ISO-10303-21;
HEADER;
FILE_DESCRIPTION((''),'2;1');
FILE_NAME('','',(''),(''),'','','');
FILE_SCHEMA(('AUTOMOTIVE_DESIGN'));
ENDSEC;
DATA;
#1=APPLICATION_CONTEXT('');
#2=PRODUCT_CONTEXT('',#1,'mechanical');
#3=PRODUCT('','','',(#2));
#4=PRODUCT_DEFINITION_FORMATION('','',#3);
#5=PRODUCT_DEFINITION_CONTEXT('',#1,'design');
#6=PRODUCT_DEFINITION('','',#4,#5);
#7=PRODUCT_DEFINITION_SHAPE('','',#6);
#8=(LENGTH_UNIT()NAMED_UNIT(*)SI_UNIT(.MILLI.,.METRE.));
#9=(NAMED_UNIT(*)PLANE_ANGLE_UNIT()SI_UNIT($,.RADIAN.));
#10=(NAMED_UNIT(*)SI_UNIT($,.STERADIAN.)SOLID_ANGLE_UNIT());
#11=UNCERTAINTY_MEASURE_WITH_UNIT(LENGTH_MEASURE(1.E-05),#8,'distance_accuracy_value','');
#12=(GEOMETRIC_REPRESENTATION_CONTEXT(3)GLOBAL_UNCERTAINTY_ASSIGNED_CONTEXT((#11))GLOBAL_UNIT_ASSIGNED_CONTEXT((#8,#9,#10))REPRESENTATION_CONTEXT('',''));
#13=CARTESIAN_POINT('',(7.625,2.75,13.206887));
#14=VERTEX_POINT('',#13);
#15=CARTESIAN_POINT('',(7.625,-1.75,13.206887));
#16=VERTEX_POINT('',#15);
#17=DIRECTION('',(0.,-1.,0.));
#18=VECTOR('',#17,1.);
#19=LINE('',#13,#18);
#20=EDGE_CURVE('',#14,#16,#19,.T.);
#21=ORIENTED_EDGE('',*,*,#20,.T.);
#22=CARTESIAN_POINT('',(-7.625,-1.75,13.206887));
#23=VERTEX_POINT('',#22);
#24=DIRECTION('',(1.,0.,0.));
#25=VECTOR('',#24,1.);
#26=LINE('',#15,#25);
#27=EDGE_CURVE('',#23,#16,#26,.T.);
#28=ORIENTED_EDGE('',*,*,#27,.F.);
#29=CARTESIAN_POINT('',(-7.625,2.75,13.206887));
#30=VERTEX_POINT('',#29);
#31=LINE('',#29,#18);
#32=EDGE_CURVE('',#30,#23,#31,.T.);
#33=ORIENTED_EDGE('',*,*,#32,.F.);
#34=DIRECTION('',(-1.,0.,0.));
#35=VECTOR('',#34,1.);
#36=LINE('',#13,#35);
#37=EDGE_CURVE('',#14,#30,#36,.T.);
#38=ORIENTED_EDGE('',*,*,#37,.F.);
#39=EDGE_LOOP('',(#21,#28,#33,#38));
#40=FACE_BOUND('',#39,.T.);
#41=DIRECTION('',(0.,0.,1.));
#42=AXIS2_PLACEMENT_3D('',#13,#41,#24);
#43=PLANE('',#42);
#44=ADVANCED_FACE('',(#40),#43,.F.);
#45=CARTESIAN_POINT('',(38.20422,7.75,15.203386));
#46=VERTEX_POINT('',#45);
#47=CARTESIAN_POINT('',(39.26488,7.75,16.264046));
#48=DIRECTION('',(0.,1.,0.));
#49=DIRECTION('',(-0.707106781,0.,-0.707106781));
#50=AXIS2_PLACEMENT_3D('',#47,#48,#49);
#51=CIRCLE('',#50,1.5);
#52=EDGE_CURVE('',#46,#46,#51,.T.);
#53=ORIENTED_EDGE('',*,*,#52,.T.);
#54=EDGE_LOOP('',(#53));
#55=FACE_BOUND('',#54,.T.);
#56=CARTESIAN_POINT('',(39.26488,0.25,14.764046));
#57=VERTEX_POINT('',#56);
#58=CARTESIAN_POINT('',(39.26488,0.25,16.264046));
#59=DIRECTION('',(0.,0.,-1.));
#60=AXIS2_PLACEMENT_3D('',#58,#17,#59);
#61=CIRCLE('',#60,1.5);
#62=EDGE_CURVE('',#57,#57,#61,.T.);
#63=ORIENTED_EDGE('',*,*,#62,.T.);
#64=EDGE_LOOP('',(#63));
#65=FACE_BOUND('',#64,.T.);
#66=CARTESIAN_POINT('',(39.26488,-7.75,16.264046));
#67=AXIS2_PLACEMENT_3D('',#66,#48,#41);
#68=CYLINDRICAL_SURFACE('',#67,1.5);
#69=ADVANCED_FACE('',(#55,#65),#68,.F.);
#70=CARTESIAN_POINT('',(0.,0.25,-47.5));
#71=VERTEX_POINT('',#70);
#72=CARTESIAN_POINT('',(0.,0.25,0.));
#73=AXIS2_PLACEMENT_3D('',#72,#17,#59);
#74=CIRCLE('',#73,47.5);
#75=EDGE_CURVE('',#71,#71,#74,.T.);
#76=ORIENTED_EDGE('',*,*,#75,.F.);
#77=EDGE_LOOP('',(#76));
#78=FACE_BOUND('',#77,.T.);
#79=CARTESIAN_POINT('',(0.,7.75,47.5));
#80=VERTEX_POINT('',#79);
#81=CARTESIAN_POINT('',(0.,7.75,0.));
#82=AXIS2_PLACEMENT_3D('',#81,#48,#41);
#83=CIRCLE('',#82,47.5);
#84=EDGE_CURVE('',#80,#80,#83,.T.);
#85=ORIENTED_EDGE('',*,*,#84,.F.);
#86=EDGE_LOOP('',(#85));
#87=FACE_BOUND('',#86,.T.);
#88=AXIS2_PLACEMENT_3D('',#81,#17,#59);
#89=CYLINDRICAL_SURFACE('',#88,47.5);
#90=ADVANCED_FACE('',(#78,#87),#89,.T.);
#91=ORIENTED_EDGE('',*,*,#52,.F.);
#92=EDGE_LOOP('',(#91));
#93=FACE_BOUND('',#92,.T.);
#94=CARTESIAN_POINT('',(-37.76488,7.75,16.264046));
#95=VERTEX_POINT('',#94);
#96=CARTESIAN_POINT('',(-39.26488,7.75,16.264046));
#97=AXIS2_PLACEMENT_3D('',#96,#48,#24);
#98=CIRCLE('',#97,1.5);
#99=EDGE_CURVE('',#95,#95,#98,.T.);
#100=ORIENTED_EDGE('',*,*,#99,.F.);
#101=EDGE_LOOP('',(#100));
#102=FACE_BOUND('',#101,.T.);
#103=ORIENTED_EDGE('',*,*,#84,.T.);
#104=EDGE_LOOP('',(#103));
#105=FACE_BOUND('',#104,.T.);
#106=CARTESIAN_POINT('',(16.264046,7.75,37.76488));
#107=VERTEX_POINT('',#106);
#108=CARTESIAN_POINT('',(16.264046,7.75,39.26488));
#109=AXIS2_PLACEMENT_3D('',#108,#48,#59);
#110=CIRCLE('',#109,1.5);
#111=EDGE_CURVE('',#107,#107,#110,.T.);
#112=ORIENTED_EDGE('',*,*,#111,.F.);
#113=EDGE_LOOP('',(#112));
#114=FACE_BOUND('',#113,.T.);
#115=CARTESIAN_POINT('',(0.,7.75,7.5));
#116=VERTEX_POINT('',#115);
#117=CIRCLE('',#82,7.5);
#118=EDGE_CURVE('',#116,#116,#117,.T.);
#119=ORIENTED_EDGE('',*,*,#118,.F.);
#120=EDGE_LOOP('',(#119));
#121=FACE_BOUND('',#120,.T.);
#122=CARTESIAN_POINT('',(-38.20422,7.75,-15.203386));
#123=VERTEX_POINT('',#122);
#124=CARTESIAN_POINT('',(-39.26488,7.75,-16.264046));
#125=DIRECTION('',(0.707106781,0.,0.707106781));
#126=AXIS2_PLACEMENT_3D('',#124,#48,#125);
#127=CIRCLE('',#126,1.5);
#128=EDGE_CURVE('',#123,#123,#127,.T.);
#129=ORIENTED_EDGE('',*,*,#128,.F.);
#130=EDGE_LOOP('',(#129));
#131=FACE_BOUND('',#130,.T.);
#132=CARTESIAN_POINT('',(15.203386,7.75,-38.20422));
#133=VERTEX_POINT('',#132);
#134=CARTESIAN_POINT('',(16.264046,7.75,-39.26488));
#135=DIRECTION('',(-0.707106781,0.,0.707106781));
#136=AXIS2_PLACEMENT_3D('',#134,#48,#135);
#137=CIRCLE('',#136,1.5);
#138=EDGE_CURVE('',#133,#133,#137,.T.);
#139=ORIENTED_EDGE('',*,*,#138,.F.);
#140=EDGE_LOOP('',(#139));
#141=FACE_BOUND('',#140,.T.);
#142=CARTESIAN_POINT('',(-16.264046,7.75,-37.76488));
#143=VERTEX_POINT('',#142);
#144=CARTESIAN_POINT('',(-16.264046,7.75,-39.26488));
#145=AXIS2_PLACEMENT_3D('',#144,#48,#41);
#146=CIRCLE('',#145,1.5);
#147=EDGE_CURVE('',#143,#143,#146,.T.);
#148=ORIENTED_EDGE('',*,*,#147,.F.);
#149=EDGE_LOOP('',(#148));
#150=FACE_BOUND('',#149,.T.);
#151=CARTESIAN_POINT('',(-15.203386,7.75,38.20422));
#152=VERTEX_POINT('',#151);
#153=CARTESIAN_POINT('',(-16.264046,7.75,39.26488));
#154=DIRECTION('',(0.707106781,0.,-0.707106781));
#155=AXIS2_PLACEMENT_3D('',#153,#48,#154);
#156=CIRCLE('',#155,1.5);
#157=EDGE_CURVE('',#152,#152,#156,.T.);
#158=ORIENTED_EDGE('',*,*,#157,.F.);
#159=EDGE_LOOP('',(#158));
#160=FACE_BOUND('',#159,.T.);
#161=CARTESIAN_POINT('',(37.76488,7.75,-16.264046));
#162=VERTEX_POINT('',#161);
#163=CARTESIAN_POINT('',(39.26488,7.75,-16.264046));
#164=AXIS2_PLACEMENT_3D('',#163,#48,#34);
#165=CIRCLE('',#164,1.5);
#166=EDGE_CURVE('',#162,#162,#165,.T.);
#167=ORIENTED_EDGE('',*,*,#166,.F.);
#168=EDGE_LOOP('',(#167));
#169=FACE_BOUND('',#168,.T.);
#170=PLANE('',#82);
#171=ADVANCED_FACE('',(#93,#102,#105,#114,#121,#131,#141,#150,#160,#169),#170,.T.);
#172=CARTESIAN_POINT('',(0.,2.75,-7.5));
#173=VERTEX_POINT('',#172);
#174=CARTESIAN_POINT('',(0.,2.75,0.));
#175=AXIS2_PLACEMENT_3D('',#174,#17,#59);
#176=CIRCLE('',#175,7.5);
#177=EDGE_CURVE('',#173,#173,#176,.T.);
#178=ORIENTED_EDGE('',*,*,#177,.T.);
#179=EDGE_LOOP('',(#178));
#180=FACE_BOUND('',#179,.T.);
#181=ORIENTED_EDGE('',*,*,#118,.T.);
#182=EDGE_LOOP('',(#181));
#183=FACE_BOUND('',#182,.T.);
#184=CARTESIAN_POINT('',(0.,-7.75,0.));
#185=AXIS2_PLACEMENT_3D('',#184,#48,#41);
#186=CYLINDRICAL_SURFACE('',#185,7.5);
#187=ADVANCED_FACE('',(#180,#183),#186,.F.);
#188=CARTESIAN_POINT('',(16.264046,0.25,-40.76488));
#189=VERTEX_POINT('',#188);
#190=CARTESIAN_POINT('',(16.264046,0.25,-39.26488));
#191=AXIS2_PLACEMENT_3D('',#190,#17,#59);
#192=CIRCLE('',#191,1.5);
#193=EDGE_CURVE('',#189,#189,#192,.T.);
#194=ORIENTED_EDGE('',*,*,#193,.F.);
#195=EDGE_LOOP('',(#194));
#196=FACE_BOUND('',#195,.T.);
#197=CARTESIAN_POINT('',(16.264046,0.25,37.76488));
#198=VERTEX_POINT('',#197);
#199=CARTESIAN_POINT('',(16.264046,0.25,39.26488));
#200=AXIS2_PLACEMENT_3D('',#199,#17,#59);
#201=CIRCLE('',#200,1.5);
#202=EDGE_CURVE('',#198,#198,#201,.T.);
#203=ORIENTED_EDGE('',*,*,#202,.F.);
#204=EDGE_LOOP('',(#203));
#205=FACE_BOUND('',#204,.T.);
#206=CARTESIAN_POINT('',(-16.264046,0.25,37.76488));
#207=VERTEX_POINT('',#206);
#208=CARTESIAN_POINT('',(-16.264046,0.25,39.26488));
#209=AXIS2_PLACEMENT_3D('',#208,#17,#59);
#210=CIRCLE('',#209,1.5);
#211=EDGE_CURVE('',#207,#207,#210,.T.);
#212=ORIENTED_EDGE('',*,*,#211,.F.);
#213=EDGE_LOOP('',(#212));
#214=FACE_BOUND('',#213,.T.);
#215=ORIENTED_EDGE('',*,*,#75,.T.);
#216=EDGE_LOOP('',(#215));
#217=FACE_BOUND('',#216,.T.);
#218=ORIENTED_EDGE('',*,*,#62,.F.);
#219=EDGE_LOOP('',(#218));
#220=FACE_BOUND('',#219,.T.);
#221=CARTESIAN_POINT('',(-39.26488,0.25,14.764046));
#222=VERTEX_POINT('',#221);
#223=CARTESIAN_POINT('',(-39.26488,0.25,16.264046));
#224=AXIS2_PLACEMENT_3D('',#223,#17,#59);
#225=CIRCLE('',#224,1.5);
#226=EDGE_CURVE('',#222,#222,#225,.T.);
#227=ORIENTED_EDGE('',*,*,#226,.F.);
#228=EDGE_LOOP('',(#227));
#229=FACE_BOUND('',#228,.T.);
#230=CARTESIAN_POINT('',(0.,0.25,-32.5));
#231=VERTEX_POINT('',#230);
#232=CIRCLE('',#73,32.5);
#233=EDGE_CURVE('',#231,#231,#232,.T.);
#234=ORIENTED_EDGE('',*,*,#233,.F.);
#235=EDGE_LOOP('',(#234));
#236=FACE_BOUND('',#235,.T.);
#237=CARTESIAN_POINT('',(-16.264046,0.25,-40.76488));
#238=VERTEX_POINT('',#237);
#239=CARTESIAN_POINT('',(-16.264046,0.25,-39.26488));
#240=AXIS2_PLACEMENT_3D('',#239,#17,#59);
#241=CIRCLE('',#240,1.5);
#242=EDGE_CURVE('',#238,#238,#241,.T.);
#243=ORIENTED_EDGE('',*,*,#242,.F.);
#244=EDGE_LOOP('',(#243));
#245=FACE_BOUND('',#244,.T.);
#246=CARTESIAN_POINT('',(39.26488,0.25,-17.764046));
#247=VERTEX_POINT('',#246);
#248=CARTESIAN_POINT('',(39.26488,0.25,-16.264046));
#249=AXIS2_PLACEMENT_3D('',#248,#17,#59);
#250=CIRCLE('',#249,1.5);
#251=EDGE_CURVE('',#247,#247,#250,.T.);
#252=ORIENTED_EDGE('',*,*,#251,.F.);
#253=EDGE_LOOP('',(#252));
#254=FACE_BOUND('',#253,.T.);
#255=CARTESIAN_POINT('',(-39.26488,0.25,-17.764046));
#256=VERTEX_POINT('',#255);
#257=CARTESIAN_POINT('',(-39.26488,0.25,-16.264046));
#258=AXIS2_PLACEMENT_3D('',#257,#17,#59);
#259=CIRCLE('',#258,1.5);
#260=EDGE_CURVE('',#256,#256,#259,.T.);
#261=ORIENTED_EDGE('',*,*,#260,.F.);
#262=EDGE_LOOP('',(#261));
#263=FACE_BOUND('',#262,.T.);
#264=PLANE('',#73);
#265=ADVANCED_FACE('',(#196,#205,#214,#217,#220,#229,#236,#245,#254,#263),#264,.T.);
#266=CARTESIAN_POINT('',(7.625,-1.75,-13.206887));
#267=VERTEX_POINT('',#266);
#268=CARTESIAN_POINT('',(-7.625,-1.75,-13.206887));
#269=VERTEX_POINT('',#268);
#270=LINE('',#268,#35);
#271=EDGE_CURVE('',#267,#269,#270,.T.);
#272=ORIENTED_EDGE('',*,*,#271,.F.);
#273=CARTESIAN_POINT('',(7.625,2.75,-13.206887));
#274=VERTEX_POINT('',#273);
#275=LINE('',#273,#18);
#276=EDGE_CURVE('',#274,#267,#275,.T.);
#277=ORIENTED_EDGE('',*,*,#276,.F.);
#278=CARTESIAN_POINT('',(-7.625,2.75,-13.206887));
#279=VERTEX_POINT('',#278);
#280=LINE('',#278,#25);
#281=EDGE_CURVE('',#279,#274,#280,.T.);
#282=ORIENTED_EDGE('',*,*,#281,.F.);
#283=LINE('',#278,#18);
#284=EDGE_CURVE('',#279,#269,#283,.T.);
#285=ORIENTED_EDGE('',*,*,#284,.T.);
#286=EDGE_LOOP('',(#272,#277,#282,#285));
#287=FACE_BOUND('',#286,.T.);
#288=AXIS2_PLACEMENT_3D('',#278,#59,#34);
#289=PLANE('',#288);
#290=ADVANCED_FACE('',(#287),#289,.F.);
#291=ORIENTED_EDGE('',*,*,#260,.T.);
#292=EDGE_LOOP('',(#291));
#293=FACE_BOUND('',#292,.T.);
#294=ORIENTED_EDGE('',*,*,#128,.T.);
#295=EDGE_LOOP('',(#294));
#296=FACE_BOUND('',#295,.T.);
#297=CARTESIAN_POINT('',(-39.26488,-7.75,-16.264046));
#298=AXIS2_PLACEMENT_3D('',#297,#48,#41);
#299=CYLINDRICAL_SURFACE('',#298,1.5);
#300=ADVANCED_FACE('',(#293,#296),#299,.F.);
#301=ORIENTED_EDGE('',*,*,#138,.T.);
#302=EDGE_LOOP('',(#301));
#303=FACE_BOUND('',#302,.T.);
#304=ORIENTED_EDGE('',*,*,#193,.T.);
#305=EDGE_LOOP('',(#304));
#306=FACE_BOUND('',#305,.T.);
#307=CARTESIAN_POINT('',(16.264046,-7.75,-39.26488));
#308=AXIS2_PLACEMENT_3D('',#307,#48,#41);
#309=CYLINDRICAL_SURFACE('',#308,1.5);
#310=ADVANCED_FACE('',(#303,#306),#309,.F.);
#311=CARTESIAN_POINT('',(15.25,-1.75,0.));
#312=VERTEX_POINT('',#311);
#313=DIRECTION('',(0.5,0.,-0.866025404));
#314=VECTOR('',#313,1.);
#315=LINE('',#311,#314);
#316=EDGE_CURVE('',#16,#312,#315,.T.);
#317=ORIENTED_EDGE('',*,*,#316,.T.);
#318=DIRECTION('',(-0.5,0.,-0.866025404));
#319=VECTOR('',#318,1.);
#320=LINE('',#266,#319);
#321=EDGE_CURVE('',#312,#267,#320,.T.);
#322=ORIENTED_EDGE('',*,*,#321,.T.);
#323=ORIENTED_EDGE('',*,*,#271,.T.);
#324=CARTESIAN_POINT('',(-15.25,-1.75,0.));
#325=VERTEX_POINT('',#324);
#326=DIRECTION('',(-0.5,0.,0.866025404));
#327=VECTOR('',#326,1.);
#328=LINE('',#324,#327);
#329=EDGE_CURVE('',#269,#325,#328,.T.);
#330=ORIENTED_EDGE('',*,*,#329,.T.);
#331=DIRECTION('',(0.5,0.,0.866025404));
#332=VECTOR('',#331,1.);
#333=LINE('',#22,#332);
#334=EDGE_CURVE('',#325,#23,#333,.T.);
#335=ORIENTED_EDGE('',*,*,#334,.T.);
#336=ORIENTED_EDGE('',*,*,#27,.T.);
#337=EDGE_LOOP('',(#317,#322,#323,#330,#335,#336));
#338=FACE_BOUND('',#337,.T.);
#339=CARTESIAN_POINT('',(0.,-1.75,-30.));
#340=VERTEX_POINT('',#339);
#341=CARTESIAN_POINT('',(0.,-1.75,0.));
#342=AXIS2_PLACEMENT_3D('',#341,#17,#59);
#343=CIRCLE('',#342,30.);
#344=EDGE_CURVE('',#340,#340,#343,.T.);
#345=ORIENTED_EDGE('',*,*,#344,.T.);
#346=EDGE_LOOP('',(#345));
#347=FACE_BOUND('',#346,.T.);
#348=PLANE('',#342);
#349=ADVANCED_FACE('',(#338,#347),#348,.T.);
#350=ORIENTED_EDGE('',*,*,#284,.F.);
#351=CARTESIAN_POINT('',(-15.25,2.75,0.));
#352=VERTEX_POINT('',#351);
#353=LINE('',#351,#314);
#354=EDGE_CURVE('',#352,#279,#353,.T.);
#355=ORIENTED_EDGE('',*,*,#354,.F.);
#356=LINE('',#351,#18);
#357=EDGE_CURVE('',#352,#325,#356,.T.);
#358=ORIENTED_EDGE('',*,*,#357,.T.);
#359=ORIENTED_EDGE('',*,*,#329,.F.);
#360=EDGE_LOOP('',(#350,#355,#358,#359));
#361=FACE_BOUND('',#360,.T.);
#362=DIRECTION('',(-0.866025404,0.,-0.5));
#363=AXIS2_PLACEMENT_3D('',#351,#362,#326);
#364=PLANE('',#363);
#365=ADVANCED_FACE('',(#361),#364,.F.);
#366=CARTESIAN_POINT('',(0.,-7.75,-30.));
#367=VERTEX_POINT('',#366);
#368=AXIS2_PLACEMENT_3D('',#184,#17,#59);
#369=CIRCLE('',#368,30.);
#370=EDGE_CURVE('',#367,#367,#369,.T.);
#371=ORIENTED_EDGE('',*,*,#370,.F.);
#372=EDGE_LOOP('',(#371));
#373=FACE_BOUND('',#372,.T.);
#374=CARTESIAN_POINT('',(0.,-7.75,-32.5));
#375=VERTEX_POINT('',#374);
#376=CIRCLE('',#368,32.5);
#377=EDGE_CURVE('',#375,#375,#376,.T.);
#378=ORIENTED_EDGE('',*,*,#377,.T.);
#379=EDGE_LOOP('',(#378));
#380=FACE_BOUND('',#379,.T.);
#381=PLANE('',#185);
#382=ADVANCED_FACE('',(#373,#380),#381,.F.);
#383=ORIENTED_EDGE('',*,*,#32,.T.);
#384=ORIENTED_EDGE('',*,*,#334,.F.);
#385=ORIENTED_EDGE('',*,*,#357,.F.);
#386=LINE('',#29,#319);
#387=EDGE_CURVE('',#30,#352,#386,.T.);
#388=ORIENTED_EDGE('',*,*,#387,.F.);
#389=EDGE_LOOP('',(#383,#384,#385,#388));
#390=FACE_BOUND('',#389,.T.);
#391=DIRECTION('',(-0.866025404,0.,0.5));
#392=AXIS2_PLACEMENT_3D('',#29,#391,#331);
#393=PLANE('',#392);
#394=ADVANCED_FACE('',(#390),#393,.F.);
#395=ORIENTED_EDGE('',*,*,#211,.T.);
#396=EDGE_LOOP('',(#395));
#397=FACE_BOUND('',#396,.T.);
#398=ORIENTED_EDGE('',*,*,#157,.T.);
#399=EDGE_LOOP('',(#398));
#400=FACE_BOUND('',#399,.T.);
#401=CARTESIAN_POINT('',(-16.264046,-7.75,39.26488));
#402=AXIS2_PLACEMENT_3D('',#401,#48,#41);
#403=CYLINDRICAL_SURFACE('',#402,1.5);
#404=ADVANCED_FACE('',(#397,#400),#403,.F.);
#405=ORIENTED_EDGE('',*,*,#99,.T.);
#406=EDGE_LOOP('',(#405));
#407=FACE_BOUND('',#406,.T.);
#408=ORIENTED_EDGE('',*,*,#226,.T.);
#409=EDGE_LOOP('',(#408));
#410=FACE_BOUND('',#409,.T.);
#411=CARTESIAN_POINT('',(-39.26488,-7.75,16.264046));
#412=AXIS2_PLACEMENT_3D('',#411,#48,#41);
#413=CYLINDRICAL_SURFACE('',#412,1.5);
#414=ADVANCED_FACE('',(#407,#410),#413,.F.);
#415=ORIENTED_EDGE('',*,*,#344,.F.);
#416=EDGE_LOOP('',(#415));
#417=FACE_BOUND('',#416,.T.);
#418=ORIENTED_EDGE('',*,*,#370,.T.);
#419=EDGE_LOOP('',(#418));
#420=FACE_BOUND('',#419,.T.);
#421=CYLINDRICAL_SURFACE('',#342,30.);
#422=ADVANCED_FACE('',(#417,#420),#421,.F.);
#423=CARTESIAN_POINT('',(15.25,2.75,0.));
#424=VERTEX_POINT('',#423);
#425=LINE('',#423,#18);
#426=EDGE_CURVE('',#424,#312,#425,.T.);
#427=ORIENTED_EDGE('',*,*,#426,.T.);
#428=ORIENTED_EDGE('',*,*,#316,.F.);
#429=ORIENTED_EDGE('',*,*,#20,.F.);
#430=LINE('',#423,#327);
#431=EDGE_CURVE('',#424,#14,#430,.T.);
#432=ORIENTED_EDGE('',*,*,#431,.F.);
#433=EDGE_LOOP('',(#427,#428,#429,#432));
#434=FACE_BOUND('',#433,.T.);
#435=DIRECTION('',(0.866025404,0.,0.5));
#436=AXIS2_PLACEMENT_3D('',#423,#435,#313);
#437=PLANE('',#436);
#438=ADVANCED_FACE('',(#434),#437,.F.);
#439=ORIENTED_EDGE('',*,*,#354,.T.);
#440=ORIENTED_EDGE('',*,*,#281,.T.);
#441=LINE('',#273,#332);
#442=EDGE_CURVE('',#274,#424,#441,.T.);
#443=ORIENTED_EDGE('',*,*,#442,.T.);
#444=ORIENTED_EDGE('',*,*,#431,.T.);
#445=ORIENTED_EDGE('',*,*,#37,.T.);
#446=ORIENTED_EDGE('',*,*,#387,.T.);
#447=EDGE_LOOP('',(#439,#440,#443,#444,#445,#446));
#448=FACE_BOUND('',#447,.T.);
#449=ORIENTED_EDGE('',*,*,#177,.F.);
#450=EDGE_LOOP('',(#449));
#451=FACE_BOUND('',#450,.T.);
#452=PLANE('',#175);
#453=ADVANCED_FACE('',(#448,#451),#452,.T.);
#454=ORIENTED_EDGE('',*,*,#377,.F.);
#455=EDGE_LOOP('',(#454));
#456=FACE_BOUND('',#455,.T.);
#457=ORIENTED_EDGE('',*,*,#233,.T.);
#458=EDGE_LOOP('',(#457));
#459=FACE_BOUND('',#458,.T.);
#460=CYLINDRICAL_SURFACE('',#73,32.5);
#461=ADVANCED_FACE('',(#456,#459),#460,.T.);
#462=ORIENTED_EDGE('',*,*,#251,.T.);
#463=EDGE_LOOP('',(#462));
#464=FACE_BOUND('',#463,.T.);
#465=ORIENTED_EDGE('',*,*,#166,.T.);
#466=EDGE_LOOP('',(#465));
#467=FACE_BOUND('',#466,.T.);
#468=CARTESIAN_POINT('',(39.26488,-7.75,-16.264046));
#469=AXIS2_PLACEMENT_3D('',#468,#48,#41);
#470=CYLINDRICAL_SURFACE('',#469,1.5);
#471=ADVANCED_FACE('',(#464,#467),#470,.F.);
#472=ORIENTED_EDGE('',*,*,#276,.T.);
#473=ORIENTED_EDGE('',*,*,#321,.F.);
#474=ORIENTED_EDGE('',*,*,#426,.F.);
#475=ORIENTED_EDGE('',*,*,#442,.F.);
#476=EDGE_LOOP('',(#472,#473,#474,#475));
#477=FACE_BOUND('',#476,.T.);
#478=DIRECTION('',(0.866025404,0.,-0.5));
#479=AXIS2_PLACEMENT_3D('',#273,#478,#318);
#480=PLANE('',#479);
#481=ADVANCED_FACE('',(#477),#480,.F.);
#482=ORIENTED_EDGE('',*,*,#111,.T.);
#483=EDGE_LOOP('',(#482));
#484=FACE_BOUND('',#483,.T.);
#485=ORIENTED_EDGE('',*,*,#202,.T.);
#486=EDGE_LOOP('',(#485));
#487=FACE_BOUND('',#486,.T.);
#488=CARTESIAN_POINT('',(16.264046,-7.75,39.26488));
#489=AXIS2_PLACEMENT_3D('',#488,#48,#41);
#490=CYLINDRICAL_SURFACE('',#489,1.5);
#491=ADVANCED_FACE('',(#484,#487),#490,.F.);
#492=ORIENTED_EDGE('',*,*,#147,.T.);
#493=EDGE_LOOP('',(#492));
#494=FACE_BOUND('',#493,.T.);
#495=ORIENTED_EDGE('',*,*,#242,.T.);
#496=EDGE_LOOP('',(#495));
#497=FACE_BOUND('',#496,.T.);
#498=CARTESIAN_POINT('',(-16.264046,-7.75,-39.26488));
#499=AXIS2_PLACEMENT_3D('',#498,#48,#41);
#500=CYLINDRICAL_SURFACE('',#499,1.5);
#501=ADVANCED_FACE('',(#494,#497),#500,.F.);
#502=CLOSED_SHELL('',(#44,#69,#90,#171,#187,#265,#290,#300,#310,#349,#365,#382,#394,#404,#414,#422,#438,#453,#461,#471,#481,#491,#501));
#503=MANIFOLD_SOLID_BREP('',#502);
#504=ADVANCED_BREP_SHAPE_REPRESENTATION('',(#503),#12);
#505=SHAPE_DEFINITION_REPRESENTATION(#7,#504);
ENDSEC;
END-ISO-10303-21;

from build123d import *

# Parameters (mm, degrees)
IZIM1_R                     = 47.5
Y_KSEKLIK_EKSTR_ZYON1_DEPTH = 7.75
IZIM2_OUTSIDE_W             = 124.048
IZIM2_OUTSIDE_H             = 124.048
IZIM2_OUTSIDE_R             = 32.5
KES_EKSTR_ZYON1_DEPTH       = 8
KES_EKSTR_ZYON2_DEPTH       = 10.5
IZIM4_R                     = 30
KES_EKSTR_ZYON3_DEPTH       = 6
IZIM5_R                     = 1.5
KES_EKSTR_ZYON4_DEPTH       = 69.940191471
DAIRESEL_KAPLAMA1_COUNT     = 8
IZIM6_R                     = 7.5
KES_EKSTR_ZYON5_DEPTH       = 69.940191471


with BuildPart() as part:
    # Çizim1 → Yükseklik-Ekstrüzyon1 (new, symmetric)
    with BuildSketch(Plane(origin=(0, 0, 0), x_dir=(1, 0, 0), z_dir=(0, 1, 0))):
        with Locations(Location((0, 0, 0), (0, 0, 270))):
            Circle(IZIM1_R)
    extrude(amount=Y_KSEKLIK_EKSTR_ZYON1_DEPTH, both=True)

    # Çizim2 outside → Kes-Ekstrüzyon1 (cut)
    with BuildSketch(Plane.XZ.offset(7.75)):
        Rectangle(IZIM2_OUTSIDE_W, IZIM2_OUTSIDE_H)
        with Locations(Location((0, 0, 0), (0, 0, 270))):
            Circle(IZIM2_OUTSIDE_R, mode=Mode.SUBTRACT)
    extrude(amount=-KES_EKSTR_ZYON1_DEPTH, mode=Mode.SUBTRACT)

    # Çizim3 → Kes-Ekstrüzyon2 (cut)
    with BuildSketch(Plane.XZ.offset(7.75)):
        Polygon((15.25, 0), (7.625, 13.206887408), (-7.625, 13.206887408), (-15.25, 0), (-7.625, -13.206887408), (7.625, -13.206887408), align=None)
    extrude(amount=-KES_EKSTR_ZYON2_DEPTH, mode=Mode.SUBTRACT)

    # Çizim4 → Kes-Ekstrüzyon3 (cut)
    with BuildSketch(Plane.XZ.offset(7.75)):
        with Locations(Location((0, 0, 0), (0, 0, 270))):
            Circle(IZIM4_R)
    extrude(amount=-KES_EKSTR_ZYON3_DEPTH, mode=Mode.SUBTRACT)

    # Çizim5 → Kes-Ekstrüzyon4 (cut, through all)
    with BuildSketch(Plane(origin=(0, 7.75, 0), x_dir=(1, 0, 0), z_dir=(0, 1, 0))):
        with Locations(Location((-16.264045876, 39.264880132, 0), (0, 0, 270))):
            Circle(IZIM5_R)
    kes_ekstr_zyon4 = extrude(amount=-KES_EKSTR_ZYON4_DEPTH, mode=Mode.SUBTRACT)

    # Dairesel Kaplama1: Kes-Ekstrüzyon4 ×8 about axis
    dairesel_kaplama1_axis = Axis((0, 0, 0), (0, 1, 0))
    for i in range(1, DAIRESEL_KAPLAMA1_COUNT):
        add(kes_ekstr_zyon4.rotate(dairesel_kaplama1_axis, i * 360 / DAIRESEL_KAPLAMA1_COUNT), mode=Mode.SUBTRACT)

    # Çizim6 → Kes-Ekstrüzyon5 (cut, through all)
    with BuildSketch(Plane(origin=(0, 7.75, 0), x_dir=(1, 0, 0), z_dir=(0, 1, 0))):
        with Locations(Location((0, 0, 0), (0, 0, 270))):
            Circle(IZIM6_R)
    extrude(amount=-KES_EKSTR_ZYON5_DEPTH, mode=Mode.SUBTRACT)


solid = part.part
